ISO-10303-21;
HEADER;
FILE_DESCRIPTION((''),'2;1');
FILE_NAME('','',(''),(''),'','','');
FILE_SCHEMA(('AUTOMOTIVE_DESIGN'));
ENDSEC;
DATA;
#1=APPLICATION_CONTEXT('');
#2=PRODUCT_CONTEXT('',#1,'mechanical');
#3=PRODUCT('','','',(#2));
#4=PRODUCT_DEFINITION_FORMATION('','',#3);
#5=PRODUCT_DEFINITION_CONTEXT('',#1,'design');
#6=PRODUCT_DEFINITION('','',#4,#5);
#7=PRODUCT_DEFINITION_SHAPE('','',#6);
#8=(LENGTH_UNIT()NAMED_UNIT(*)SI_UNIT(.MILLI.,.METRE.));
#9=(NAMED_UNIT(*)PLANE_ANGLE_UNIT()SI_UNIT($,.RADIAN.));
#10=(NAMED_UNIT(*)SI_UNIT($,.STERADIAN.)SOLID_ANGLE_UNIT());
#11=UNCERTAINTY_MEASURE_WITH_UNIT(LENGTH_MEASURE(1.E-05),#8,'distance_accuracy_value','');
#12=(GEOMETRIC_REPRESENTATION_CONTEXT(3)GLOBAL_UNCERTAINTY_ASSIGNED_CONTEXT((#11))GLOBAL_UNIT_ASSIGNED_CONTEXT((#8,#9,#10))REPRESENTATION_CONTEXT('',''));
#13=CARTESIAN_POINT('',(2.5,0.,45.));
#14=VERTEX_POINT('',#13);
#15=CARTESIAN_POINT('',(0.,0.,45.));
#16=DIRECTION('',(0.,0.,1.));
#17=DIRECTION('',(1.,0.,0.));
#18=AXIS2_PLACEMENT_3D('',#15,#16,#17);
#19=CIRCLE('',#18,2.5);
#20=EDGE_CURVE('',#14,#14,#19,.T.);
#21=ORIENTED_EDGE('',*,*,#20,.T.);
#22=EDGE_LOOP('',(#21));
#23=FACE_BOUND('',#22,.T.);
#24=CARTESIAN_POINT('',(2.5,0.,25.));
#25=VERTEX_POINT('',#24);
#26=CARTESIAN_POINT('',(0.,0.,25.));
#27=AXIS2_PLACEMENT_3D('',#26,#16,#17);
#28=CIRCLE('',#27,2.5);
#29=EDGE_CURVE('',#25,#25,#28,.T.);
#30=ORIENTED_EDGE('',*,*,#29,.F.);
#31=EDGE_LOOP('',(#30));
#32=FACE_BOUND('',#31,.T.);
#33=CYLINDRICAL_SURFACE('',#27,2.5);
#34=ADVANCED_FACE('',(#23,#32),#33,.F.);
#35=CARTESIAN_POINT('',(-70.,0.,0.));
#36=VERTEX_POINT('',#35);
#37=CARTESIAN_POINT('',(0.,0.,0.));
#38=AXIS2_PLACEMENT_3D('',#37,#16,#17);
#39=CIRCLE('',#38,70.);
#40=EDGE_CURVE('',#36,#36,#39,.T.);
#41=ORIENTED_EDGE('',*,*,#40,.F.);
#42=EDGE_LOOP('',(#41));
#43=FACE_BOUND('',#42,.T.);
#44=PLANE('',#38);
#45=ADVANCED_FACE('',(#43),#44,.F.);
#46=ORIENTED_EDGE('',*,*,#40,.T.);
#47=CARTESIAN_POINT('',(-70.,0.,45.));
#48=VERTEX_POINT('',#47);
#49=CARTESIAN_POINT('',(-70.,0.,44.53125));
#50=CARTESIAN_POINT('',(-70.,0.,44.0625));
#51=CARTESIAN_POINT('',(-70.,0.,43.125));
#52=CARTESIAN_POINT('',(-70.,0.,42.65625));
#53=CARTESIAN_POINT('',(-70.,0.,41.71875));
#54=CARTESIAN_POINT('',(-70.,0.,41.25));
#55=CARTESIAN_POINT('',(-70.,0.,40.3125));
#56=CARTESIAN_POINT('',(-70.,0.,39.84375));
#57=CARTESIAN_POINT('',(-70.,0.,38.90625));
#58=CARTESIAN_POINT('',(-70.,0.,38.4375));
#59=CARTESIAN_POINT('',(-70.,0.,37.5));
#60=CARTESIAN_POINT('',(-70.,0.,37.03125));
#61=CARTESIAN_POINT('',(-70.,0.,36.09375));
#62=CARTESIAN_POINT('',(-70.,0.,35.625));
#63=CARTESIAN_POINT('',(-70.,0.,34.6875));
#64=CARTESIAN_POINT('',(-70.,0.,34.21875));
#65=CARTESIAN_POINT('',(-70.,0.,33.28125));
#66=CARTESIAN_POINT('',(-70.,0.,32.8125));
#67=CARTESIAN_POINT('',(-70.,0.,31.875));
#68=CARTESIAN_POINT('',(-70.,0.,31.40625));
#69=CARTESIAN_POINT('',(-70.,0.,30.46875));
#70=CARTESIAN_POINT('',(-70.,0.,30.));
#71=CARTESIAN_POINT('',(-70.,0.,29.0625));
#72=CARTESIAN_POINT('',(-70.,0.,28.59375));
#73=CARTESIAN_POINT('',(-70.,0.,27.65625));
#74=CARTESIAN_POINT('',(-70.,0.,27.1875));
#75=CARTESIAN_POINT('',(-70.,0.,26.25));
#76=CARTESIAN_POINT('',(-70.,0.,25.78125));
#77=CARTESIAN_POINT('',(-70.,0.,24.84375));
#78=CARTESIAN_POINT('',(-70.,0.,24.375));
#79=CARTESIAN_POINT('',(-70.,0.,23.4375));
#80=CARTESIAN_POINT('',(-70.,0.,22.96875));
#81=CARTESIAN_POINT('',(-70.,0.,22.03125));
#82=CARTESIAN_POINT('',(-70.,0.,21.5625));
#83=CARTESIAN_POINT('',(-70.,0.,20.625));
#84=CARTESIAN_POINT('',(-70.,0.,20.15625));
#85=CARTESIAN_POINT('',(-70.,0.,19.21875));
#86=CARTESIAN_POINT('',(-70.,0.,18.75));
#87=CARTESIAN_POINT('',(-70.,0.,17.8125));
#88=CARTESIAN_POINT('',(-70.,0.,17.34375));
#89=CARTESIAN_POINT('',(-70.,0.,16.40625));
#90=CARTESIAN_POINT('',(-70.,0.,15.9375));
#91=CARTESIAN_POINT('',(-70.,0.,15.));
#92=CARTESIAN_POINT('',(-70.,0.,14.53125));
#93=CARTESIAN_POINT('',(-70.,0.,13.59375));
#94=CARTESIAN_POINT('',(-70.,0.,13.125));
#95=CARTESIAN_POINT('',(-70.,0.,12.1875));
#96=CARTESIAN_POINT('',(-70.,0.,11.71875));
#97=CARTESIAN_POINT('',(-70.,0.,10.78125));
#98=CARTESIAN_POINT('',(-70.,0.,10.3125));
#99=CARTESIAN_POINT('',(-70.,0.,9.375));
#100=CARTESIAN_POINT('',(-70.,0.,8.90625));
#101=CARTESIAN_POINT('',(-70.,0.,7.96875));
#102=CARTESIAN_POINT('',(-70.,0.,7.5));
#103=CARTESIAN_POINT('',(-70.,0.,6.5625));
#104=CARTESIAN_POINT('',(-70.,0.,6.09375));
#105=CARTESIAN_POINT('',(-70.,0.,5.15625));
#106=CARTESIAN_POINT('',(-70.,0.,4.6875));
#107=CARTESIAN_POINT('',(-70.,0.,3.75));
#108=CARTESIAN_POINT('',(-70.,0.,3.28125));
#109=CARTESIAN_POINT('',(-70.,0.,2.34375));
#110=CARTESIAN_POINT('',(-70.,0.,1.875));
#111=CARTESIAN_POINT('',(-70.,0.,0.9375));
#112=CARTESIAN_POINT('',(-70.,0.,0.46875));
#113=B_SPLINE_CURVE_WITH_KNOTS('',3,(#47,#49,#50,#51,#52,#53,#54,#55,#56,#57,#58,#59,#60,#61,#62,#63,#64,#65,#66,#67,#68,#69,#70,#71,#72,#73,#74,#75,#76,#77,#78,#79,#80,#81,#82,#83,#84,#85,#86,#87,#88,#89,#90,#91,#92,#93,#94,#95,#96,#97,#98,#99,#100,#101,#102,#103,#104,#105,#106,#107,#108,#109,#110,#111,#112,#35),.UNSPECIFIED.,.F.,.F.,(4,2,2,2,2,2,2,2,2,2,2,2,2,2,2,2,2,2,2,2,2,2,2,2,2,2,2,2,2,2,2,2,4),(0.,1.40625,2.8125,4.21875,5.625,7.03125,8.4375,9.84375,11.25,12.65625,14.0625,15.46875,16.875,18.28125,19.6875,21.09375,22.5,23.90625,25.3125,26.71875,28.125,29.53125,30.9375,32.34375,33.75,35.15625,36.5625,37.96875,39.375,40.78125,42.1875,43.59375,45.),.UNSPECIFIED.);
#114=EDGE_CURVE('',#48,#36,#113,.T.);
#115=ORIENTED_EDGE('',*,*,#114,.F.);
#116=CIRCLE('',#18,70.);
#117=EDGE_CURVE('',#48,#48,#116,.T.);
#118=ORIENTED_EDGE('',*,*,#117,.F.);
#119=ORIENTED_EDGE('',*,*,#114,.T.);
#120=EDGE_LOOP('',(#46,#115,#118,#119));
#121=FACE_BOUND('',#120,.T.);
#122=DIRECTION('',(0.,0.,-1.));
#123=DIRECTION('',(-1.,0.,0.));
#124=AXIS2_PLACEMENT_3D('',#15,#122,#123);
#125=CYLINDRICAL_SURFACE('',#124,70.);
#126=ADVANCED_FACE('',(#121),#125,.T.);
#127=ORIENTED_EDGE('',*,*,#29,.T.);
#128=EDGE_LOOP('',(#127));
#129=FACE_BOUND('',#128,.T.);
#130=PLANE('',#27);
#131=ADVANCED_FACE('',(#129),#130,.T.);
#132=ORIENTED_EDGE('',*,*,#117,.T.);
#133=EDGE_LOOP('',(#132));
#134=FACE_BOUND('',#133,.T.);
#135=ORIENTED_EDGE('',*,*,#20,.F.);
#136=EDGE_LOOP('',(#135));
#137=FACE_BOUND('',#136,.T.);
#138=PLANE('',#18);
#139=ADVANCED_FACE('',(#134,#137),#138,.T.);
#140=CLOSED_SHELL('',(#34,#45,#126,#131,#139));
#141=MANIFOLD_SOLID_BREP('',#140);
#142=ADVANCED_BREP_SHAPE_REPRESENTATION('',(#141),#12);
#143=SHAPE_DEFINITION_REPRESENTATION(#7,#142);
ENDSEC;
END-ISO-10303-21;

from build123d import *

# Parameters (mm, degrees)
SKETCH1_R           = 70
BOSS_EXTRUDE1_DEPTH = 45
SKETCH2_R           = 2.5
CUT_EXTRUDE1_DEPTH  = 20


with BuildPart() as part:
    # Sketch1 → Boss-Extrude1 (new body)
    with BuildSketch(Plane.XY):
        with Locations(Location((0, 0, 0), (0, 0, 180))):
            Circle(SKETCH1_R)
    extrude(amount=BOSS_EXTRUDE1_DEPTH)

    # Sketch2 → Cut-Extrude1 (cut)
    with BuildSketch(Plane.XY.offset(45)):
        Circle(SKETCH2_R)
    extrude(amount=-CUT_EXTRUDE1_DEPTH, mode=Mode.SUBTRACT)


solid = part.part
